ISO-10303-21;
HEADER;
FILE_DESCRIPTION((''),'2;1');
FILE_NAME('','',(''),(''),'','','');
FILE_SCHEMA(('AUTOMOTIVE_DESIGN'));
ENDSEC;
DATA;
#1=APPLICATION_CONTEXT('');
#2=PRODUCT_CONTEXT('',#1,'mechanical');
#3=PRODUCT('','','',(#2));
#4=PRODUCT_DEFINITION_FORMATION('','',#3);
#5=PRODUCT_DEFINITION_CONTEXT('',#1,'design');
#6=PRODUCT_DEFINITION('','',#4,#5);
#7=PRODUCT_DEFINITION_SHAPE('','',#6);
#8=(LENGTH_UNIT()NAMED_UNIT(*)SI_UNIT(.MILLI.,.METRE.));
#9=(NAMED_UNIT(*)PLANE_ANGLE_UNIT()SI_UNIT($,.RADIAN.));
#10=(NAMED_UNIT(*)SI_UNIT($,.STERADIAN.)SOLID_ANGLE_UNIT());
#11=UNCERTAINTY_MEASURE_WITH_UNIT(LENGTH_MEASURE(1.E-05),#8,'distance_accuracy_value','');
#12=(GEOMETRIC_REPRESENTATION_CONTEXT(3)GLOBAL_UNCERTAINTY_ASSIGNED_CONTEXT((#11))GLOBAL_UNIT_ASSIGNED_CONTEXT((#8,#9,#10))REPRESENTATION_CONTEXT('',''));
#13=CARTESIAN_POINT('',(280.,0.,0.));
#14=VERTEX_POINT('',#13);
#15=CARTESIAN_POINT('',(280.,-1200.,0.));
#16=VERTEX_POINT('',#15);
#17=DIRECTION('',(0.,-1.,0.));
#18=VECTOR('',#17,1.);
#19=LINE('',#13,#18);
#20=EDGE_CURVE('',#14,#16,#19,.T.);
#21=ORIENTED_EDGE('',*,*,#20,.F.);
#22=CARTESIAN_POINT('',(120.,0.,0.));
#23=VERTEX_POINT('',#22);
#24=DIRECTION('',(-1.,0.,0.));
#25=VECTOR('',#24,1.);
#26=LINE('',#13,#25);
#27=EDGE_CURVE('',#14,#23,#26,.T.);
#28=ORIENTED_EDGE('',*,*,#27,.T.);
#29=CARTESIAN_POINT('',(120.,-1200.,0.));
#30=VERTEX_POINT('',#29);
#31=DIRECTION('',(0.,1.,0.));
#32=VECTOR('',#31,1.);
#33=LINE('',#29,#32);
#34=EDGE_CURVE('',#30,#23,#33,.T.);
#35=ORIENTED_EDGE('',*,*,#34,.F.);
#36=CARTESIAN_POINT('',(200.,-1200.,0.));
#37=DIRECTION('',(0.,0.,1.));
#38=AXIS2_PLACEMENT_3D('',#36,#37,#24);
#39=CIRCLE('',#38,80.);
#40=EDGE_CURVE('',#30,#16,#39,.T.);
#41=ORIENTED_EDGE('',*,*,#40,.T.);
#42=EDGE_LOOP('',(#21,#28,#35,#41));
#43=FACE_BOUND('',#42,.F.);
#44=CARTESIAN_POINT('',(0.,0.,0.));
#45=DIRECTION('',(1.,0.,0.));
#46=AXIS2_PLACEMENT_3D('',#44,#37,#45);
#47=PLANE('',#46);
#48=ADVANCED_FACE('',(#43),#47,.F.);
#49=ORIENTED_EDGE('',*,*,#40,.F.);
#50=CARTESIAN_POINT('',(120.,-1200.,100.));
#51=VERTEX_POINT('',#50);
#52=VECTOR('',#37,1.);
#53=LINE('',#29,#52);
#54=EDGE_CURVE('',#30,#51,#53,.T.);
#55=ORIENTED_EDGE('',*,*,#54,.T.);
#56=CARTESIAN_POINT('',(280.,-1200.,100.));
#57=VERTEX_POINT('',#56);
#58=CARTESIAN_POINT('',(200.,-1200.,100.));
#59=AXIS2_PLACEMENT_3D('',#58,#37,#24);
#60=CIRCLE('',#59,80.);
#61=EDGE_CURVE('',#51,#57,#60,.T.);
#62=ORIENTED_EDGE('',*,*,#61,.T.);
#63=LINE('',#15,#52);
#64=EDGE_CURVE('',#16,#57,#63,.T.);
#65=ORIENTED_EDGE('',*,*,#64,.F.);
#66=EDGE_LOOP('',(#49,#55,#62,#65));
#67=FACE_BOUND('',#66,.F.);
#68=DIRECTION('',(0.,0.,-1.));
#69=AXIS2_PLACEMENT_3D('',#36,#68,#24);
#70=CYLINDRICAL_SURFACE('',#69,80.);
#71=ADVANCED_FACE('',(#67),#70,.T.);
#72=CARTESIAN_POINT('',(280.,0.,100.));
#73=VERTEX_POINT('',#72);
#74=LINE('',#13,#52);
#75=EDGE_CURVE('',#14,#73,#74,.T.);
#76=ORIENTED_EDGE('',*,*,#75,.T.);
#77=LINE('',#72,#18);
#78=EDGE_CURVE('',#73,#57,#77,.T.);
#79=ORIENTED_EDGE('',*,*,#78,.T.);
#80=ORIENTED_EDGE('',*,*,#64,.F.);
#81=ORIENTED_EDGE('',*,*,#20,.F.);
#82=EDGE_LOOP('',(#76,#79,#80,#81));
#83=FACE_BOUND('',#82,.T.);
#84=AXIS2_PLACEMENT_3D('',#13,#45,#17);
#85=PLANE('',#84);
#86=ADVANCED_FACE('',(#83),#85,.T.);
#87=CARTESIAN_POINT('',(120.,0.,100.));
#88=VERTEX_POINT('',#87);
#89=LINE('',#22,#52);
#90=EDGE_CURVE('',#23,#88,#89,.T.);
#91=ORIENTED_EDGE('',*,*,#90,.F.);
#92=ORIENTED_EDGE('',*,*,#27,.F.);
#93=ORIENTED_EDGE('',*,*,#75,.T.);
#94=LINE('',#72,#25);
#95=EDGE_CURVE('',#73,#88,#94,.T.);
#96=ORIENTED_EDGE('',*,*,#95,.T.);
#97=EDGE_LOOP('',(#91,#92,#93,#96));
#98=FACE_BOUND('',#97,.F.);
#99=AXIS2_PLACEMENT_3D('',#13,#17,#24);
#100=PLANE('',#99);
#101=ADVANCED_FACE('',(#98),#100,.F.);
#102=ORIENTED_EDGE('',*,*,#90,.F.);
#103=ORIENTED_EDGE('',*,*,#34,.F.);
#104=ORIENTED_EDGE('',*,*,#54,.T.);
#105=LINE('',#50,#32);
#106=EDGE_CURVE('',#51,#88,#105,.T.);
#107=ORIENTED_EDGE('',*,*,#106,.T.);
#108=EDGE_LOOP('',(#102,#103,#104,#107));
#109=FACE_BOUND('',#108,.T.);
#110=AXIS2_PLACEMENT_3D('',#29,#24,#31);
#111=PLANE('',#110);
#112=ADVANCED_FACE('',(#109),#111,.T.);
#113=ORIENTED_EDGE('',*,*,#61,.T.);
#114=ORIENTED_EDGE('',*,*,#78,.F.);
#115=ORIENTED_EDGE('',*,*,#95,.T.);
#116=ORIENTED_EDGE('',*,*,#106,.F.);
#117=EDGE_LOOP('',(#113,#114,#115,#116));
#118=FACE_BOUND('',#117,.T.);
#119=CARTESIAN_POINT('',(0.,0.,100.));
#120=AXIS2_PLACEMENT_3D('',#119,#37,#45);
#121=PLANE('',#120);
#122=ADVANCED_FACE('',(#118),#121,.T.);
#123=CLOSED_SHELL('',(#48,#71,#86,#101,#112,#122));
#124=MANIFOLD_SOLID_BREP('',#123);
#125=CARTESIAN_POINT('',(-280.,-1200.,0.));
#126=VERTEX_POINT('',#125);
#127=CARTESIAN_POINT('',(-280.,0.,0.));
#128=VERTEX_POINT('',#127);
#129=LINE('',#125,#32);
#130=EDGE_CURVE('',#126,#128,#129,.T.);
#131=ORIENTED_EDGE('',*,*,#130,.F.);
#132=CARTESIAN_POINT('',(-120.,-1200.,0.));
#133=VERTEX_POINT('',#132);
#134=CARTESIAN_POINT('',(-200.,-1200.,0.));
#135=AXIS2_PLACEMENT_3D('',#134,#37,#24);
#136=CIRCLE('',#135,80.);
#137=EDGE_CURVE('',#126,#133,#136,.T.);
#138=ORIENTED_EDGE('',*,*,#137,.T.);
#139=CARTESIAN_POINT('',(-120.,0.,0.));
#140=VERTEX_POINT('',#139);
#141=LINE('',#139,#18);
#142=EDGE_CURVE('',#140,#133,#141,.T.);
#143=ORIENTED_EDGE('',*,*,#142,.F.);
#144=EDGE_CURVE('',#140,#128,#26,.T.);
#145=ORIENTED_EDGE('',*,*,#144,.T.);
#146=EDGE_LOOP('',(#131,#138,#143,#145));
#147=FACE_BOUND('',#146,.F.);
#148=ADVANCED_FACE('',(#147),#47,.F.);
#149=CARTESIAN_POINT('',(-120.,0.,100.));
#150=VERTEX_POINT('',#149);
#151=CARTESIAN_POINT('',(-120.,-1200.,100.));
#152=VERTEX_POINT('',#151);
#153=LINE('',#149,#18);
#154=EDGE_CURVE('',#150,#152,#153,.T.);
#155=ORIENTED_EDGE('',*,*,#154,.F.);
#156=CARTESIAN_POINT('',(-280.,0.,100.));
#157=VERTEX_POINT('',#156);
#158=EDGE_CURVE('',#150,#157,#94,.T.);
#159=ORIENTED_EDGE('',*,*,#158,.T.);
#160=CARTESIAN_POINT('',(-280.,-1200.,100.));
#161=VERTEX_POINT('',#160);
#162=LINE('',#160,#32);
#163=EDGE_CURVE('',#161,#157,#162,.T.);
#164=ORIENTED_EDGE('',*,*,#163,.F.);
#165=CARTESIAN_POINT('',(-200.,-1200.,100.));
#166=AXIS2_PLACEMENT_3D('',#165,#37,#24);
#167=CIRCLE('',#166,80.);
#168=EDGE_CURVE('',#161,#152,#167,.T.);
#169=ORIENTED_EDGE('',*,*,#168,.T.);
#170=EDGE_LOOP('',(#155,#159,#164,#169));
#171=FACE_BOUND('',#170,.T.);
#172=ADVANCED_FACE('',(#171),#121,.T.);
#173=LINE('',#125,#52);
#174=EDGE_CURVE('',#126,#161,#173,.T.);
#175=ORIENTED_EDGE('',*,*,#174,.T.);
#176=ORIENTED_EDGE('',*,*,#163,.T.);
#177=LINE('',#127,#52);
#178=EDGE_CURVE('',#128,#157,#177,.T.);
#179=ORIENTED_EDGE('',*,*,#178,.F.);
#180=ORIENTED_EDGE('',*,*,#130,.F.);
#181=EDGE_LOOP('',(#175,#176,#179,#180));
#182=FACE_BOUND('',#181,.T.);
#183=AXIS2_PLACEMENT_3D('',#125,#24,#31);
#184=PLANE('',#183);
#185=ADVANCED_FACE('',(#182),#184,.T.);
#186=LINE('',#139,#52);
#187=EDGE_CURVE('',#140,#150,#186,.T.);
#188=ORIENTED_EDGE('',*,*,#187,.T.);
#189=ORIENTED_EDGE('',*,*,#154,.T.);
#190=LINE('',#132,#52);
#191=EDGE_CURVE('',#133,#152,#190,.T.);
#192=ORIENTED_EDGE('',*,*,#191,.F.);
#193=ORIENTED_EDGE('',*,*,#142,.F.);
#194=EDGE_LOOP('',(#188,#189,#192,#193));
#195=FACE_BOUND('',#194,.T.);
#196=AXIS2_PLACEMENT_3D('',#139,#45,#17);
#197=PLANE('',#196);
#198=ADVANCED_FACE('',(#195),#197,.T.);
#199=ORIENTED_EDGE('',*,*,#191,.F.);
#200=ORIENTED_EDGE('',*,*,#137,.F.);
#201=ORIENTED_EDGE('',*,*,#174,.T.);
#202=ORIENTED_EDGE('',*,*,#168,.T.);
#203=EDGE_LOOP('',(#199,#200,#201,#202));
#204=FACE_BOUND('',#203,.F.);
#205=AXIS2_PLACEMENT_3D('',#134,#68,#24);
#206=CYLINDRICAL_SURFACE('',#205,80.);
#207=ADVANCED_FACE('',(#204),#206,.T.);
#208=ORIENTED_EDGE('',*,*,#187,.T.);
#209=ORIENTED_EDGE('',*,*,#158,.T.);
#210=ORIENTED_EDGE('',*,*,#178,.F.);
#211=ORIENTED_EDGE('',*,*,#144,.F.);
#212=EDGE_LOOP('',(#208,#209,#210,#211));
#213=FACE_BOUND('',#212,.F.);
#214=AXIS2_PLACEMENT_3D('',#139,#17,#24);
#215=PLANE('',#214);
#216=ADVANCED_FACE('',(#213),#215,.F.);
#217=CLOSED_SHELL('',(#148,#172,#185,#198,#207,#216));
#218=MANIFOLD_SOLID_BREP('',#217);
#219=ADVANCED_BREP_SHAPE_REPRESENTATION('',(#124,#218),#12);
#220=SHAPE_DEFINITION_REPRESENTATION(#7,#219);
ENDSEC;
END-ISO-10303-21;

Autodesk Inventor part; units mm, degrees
ref_plane "YZ Plane" through (0, 0, 0) normal (1, 0, 0) x (0, 1, 0)
ref_plane "XZ Plane" through (0, 0, 0) normal (0, 1, 0) x (-1, 0, 0)
ref_plane "XY Plane" through (0, 0, 0) normal (0, 0, 1) x (1, 0, 0)
sketch "Sketch1" plane through (0, 0, 0) normal (0, 0, 1) x (1, 0, 0)
  line L0 (280, 0) -> (280, -1200)
  arc A0 (120, -1200) -> (280, -1200) centre (200, -1200) ccw
  line L1 (120, -1200) -> (120, 0)
  line L2 (-120, 0) -> (-120, -1200)
  arc A1 (-280, -1200) -> (-120, -1200) centre (-200, -1200) ccw
  line L3 (-280, -1200) -> (-280, 0)
  line L4 (280, 0) -> (-280, 0)
  line L5 (0, 0) -> (0, -1425.5319) construction
  dimension "d0" = 160
  dimension "d1" = 560
  dimension "d2" = 1200
extrude "Extrusion1" add sketch "Sketch1" along normal blind 100
sketch "Sketch2" plane through (0, 0, 100) normal (0, 0, 1) x (1, 0, 0)
  arc A0 (-280, -1200) -> (-120, -1200) centre (-200, -1200) ccw projected
  line L0 (-120, -1200) -> (-120, 0) projected
  line L1 (-120, 0) -> (-280, 0) projected
  line L2 (-280, 0) -> (-280, -1200) projected
  line L3 (280, 0) -> (120, 0) projected
  line L4 (120, 0) -> (120, -1200) projected
  arc A1 (120, -1200) -> (280, -1200) centre (200, -1200) ccw projected
  line L5 (280, -1200) -> (280, 0) projected
  line L6 (-280, -1060) -> (-200, -1060)
  line L7 (-200, -1060) -> (-200, -500)
  line L8 (-200, -500) -> (-280, -500)
  line L9 (-280, -500) -> (-280, -1060)
  line L10 (200, -1060) -> (280, -1060)
  line L11 (280, -1060) -> (280, -500)
  line L12 (280, -500) -> (200, -500)
  line L13 (200, -500) -> (200, -1060)
  line L14 (-200, -500) -> (200, -500)
  line L15 (200, -500) -> (200, -580)
  line L16 (200, -580) -> (-200, -580)
  line L17 (-200, -580) -> (-200, -500)
  line L18 (-280, 0) -> (-280, -1200) projected
  line L19 (280, -1200) -> (280, 0) projected
  point P0 (0, 0)
  point P1 (-200, -580)
  dimension "d5" = 80
  dimension "d6" = 560
  dimension "d7" = 560
  dimension "d8" = 400
  dimension "d9" = 500
extrude "Extrusion2" [suppressed]
sketch "Sketch3" plane through (0, 0, 140) normal (0, 0, 1) x (1, 0, 0)
  line L0 (-280, -500) -> (-280, -1060) projected
  line L1 (-280, -1060) -> (-200, -1060) projected
  line L2 (-200, -1060) -> (-200, -580) projected
  line L3 (-200, -580) -> (200, -580) projected
  line L4 (200, -580) -> (200, -1060) projected
  line L5 (200, -1060) -> (280, -1060) projected
  line L6 (280, -1060) -> (280, -500) projected
  line L7 (280, -500) -> (-280, -500) projected
  line L8 (-280, -1060) -> (-240, -1060)
  line L9 (-240, -1060) -> (-240, -1020)
  line L10 (-240, -1020) -> (-280, -1020)
  line L11 (-280, -1020) -> (-280, -1060)
  line L12 (-280, -500) -> (-240, -500)
  line L13 (-240, -500) -> (-240, -540)
  line L14 (-240, -540) -> (-280, -540)
  line L15 (-280, -540) -> (-280, -500)
  line L16 (280, -500) -> (240, -500)
  line L17 (240, -500) -> (240, -540)
  line L18 (240, -540) -> (280, -540)
  line L19 (280, -540) -> (280, -500)
  line L20 (280, -1060) -> (240, -1060)
  line L21 (240, -1060) -> (240, -1020)
  line L22 (240, -1020) -> (280, -1020)
  line L23 (280, -1020) -> (280, -1060)
  point P0 (0, 0)
  dimension "d12" = 40
extrude "Extrusion3" [suppressed]
equation "\"d7\" = d6"
properties part number "pallet jack dummy"
